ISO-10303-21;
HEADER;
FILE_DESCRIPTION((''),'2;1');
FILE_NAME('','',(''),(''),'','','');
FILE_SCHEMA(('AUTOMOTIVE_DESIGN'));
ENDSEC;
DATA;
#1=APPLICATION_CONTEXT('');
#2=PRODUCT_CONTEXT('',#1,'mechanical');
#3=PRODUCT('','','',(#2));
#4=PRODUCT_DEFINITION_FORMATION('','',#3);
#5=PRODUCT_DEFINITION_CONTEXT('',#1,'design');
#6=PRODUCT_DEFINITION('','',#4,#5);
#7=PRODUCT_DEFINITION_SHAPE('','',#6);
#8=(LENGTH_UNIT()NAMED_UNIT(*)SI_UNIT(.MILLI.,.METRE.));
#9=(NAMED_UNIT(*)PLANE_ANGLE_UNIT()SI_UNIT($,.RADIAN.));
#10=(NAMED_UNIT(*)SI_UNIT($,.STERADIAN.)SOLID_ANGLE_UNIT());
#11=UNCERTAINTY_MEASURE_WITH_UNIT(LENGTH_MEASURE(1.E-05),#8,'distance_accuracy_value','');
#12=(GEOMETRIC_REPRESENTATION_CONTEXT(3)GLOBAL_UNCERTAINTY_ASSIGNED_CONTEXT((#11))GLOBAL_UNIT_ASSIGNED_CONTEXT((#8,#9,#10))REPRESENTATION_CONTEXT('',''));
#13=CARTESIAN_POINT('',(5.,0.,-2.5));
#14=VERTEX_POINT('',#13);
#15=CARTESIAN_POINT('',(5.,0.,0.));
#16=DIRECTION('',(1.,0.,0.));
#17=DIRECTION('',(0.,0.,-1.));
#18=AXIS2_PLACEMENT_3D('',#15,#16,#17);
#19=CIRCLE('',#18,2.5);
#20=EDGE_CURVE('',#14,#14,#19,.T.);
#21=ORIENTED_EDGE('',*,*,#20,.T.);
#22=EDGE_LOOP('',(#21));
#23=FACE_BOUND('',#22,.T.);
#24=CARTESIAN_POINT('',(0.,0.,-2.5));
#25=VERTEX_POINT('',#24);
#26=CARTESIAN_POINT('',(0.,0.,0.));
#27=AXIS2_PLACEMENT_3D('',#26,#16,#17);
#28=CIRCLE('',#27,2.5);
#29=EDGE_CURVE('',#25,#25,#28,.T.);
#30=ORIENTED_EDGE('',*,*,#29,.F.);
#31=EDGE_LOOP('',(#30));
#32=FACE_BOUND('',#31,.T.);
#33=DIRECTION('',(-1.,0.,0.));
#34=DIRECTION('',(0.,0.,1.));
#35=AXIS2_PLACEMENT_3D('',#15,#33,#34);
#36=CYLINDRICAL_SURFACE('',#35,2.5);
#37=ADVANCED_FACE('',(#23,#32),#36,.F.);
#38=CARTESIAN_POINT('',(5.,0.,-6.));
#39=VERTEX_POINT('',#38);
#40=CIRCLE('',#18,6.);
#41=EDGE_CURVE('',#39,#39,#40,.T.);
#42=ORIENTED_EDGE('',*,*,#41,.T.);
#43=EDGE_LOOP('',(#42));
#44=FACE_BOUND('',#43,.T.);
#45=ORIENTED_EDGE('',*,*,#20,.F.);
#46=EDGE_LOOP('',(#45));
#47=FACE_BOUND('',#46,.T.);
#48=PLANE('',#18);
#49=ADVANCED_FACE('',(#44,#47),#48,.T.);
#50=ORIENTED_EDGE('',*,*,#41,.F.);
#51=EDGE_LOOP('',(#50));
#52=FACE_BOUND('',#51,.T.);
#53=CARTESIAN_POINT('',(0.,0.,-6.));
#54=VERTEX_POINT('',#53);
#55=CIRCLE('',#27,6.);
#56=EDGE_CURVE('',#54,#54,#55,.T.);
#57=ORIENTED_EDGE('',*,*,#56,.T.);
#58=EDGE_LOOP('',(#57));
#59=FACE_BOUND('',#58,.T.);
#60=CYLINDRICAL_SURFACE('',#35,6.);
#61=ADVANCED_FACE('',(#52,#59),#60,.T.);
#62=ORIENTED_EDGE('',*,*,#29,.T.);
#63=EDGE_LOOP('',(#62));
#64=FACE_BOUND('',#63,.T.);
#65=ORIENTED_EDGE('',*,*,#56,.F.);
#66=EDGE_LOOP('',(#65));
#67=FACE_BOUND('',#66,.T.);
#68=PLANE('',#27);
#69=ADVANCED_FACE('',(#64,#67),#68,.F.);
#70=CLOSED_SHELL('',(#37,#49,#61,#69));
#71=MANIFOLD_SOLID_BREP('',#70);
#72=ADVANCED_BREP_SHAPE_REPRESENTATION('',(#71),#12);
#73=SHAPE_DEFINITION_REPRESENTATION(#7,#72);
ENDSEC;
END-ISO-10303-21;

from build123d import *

# Parameters (mm, degrees)
SKETCH_1_R      = 6
SKETCH_1_R_2    = 2.5
EXTRUDE_1_DEPTH = 5


with BuildPart() as part:
    # 草图1 → 凸台-拉伸1 (new body)
    with BuildSketch(Plane(origin=(0, 0, 0), x_dir=(0, 0, -1), z_dir=(1, 0, 0))):
        Circle(SKETCH_1_R)
        Circle(SKETCH_1_R_2, mode=Mode.SUBTRACT)
    extrude(amount=EXTRUDE_1_DEPTH)


solid = part.part
